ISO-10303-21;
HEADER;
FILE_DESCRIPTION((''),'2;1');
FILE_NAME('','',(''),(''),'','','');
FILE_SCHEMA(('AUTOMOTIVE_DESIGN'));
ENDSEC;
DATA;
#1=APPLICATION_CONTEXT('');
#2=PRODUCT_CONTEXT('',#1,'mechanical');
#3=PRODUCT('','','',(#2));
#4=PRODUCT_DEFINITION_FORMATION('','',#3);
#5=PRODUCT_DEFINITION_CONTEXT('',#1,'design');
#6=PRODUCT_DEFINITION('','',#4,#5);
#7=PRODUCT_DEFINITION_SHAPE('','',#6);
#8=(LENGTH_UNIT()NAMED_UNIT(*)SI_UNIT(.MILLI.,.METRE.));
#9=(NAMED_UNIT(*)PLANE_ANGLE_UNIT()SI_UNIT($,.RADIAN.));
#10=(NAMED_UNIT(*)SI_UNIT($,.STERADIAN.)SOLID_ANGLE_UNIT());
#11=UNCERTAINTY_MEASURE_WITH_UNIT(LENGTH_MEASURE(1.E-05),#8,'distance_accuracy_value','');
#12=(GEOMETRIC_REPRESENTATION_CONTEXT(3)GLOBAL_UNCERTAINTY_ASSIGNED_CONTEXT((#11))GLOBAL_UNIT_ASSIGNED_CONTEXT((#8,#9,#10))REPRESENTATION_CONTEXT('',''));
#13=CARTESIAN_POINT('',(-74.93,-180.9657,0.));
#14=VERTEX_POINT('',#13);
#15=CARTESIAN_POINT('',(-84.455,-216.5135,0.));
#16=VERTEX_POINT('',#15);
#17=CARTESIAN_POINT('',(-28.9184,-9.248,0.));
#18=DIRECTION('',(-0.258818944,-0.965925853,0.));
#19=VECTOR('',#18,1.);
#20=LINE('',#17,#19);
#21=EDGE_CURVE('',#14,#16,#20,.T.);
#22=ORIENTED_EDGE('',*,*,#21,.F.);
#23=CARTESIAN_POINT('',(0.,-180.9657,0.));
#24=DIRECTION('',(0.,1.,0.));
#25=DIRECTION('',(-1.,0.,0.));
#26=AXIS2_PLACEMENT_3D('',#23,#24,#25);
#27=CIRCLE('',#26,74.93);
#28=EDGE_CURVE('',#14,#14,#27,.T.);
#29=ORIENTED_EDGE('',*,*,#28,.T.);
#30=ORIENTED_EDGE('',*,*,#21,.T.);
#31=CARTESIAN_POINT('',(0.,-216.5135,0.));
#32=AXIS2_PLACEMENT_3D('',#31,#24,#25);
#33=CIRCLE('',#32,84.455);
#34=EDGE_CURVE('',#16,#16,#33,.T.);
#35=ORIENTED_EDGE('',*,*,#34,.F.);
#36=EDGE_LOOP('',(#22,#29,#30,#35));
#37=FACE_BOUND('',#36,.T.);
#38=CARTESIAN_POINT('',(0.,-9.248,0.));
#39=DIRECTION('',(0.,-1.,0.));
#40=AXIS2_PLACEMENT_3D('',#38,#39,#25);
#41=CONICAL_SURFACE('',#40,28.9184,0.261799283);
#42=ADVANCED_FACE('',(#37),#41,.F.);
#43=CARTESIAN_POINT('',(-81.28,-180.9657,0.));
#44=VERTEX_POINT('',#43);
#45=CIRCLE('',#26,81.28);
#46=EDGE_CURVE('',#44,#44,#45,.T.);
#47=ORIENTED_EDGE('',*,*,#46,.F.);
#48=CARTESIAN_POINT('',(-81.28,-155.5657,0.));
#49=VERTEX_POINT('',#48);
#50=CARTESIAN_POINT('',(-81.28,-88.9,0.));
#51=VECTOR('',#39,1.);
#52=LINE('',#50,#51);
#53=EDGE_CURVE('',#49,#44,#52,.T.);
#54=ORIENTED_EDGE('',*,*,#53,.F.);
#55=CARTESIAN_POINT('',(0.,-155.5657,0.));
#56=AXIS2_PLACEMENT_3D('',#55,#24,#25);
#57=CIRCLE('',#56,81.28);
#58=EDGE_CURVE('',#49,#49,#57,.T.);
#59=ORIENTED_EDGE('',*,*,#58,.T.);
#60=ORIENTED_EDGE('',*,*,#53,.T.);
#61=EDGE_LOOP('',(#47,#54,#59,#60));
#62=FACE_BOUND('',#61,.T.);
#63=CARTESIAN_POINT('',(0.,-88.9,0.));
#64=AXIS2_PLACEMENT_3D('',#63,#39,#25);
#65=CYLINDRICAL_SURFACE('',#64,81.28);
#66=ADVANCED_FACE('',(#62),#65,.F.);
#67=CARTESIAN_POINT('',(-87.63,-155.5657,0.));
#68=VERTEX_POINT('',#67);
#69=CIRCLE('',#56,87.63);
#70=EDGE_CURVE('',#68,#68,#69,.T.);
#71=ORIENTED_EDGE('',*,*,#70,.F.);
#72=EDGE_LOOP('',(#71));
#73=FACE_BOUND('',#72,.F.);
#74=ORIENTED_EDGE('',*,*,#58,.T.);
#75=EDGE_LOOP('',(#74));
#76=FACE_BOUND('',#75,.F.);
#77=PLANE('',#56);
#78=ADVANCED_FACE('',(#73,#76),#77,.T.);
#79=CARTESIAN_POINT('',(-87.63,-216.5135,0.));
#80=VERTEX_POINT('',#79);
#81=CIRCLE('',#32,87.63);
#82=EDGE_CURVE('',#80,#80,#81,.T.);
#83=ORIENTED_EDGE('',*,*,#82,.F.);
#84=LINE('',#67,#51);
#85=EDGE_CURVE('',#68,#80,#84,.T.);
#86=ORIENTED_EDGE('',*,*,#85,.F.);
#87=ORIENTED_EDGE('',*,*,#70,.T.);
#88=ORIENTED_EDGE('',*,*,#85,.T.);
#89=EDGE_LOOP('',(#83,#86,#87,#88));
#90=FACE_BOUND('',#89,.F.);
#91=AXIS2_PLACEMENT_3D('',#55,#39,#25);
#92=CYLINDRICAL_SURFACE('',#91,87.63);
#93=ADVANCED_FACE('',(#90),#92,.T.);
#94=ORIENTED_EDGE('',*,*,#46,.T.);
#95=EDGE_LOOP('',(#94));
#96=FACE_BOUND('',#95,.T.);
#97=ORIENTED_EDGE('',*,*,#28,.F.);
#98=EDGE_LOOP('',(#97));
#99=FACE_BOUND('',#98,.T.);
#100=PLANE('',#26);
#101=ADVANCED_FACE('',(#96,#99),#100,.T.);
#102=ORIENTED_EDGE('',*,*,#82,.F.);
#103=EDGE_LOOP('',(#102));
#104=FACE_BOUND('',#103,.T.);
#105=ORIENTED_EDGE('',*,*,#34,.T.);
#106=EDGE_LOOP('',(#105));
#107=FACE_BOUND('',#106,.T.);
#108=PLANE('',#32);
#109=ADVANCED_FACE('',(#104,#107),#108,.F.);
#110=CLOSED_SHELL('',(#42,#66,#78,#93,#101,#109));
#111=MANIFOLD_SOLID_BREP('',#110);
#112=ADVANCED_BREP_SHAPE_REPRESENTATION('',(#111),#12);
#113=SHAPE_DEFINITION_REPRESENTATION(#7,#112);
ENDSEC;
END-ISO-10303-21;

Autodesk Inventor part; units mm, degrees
ref_plane "YZ Plane" through (0, 0, 0) normal (1, 0, 0) x (0, 1, 0)
ref_plane "XZ Plane" through (0, 0, 0) normal (0, 1, 0) x (-1, 0, 0)
ref_plane "XY Plane" through (0, 0, 0) normal (0, 0, 1) x (1, 0, 0)
sketch "Sketch1" plane through (0, 0, 0) normal (0, 0, 1) x (1, 0, 0)
  line L0 (0, 25.4) -> (-28.702, 25.4) construction
  line L1 (0, 25.4) -> (-93.98, 25.4) construction
  line L2 (-93.98, 25.4) -> (-90.805, 25.4) construction
  line L3 (-90.805, 25.4) -> (-84.455, 22.4389) construction
  line L4 (-90.805, 25.4) -> (-90.805, 22.4389) construction
  line L5 (-90.805, 0) -> (-93.98, 0)
  line L6 (-28.702, 59.6457) -> (-28.702, -91.9304) construction
  arc A0 (-28.9184, -9.248) -> (-32.3684, -1.8494) centre (-35.052, -7.6045) ccw
  line L7 (-74.93, -180.9657) -> (-28.702, -8.4405)
  line L8 (-90.805, 25.4) -> (-90.805, 0)
  line L9 (-90.805, 25.4) -> (-32.3684, -1.8494)
  line L10 (-28.702, -7.6045) -> (-60.452, -7.6045) construction
  line L11 (-60.452, 11.2462) -> (-60.452, -126.9331) construction
  line L12 (-60.452, -126.9331) -> (-54.102, -126.9331) construction
  line L13 (-54.102, -126.9331) -> (-54.102, -103.2346) construction
  line L14 (-54.102, -103.2346) -> (-60.452, -103.2346)
  line L15 (-60.452, 11.2462) -> (-60.452, 1.7212) construction
  line L16 (-60.452, 11.2462) -> (-60.452, 4.7154) construction
  line L17 (-60.452, 4.7154) -> (-46.4468, 4.7154)
  line L18 (-60.452, 4.7154) -> (-60.452, -103.2346)
  line L19 (-93.98, 0) -> (-93.98, -12.7) construction
  line L20 (-60.452, -12.7) -> (-73.152, -12.7) construction
  line L21 (-93.98, -12.7) -> (-93.98, -25.4) construction
  line L22 (-93.98, -25.4) -> (-93.98, -88.9) construction
  line L23 (-93.98, -88.9) -> (-81.28, -88.9) construction
  line L24 (-81.28, -88.9) -> (-81.28, -25.4) construction
  line L25 (-93.98, -25.4) -> (-81.28, -25.4)
  line L26 (-81.28, -25.4) -> (-81.28, -88.9)
  line L27 (-81.28, -88.9) -> (-93.98, -88.9)
  line L28 (-93.98, -12.7) -> (-73.152, -12.7)
  line L29 (-73.152, -138.7824) -> (-63.627, -138.7824)
  line L30 (-81.28, -88.9) -> (-81.28, -180.9657)
  line L31 (-81.28, -180.9657) -> (-74.93, -180.9657)
  line L32 (-73.152, -12.7) -> (-73.152, -138.7824)
  line L33 (-87.63, -25.4) -> (-87.63, -31.3436)
  line L34 (-87.63, -31.3436) -> (-93.98, -31.3436)
  line L35 (-93.98, 0) -> (-93.98, -25.4)
  line L36 (-93.98, -31.3436) -> (-93.98, -88.9)
  line L37 (-87.63, -155.5657) -> (-87.63, -216.5135)
  line L38 (-28.9184, -9.248) -> (-84.455, -216.5135)
  line L39 (-84.455, -216.5135) -> (-87.63, -216.5135)
  line L40 (-81.28, -155.5657) -> (-87.63, -155.5657)
  line L41 (-60.452, 4.7154) -> (-60.452, -7.6045)
  line L42 (-66.802, -38.1) -> (-73.152, -38.1)
  line L43 (-66.802, -38.1) -> (-66.802, 4.7154)
  line L44 (-66.802, 4.7154) -> (-60.452, 4.7154)
  line L45 (0, -319.0244) -> (0, 122.7573) projected
  point P0 (0, 0)
  point P1 (-93.98, -255.9127)
  point P2 (-88.7095, 22.4389)
  dimension "d0" = 28.702
  dimension "d1" = 93.98
  dimension "d2" = 3.175
  dimension "d3" = 25
  dimension "d5" = 25.4
  dimension "d6" = 25.4
  dimension "d8" = 12.7
  dimension "d12" = 31.75
  dimension "d13" = 6.35
  dimension "d16" = 12.7
  dimension "d17" = 12.7
  dimension "d18" = 12.7
  dimension "d19" = 63.5
  dimension "d20" = 12.7
  dimension "d22" = 9.525
  dimension "d23" = 6.35
  dimension "d25" = 5.9436
  dimension "d26" = 15
  dimension "d27" = 3.175
  dimension "d28" = 6.35
  dimension "d29" = 25.4
  dimension "d30" = 107.95
  dimension "d31" = 6.35
  dimension "d32" = 25.4
revolve "Revolution1" add sketch "Sketch1" angle 360 about axis through (0, -10, 0) along (0, 1, 0) contours L38 L39 L37 L40 L30 L31
properties part number "Skirt" material "Aluminum 6061"
